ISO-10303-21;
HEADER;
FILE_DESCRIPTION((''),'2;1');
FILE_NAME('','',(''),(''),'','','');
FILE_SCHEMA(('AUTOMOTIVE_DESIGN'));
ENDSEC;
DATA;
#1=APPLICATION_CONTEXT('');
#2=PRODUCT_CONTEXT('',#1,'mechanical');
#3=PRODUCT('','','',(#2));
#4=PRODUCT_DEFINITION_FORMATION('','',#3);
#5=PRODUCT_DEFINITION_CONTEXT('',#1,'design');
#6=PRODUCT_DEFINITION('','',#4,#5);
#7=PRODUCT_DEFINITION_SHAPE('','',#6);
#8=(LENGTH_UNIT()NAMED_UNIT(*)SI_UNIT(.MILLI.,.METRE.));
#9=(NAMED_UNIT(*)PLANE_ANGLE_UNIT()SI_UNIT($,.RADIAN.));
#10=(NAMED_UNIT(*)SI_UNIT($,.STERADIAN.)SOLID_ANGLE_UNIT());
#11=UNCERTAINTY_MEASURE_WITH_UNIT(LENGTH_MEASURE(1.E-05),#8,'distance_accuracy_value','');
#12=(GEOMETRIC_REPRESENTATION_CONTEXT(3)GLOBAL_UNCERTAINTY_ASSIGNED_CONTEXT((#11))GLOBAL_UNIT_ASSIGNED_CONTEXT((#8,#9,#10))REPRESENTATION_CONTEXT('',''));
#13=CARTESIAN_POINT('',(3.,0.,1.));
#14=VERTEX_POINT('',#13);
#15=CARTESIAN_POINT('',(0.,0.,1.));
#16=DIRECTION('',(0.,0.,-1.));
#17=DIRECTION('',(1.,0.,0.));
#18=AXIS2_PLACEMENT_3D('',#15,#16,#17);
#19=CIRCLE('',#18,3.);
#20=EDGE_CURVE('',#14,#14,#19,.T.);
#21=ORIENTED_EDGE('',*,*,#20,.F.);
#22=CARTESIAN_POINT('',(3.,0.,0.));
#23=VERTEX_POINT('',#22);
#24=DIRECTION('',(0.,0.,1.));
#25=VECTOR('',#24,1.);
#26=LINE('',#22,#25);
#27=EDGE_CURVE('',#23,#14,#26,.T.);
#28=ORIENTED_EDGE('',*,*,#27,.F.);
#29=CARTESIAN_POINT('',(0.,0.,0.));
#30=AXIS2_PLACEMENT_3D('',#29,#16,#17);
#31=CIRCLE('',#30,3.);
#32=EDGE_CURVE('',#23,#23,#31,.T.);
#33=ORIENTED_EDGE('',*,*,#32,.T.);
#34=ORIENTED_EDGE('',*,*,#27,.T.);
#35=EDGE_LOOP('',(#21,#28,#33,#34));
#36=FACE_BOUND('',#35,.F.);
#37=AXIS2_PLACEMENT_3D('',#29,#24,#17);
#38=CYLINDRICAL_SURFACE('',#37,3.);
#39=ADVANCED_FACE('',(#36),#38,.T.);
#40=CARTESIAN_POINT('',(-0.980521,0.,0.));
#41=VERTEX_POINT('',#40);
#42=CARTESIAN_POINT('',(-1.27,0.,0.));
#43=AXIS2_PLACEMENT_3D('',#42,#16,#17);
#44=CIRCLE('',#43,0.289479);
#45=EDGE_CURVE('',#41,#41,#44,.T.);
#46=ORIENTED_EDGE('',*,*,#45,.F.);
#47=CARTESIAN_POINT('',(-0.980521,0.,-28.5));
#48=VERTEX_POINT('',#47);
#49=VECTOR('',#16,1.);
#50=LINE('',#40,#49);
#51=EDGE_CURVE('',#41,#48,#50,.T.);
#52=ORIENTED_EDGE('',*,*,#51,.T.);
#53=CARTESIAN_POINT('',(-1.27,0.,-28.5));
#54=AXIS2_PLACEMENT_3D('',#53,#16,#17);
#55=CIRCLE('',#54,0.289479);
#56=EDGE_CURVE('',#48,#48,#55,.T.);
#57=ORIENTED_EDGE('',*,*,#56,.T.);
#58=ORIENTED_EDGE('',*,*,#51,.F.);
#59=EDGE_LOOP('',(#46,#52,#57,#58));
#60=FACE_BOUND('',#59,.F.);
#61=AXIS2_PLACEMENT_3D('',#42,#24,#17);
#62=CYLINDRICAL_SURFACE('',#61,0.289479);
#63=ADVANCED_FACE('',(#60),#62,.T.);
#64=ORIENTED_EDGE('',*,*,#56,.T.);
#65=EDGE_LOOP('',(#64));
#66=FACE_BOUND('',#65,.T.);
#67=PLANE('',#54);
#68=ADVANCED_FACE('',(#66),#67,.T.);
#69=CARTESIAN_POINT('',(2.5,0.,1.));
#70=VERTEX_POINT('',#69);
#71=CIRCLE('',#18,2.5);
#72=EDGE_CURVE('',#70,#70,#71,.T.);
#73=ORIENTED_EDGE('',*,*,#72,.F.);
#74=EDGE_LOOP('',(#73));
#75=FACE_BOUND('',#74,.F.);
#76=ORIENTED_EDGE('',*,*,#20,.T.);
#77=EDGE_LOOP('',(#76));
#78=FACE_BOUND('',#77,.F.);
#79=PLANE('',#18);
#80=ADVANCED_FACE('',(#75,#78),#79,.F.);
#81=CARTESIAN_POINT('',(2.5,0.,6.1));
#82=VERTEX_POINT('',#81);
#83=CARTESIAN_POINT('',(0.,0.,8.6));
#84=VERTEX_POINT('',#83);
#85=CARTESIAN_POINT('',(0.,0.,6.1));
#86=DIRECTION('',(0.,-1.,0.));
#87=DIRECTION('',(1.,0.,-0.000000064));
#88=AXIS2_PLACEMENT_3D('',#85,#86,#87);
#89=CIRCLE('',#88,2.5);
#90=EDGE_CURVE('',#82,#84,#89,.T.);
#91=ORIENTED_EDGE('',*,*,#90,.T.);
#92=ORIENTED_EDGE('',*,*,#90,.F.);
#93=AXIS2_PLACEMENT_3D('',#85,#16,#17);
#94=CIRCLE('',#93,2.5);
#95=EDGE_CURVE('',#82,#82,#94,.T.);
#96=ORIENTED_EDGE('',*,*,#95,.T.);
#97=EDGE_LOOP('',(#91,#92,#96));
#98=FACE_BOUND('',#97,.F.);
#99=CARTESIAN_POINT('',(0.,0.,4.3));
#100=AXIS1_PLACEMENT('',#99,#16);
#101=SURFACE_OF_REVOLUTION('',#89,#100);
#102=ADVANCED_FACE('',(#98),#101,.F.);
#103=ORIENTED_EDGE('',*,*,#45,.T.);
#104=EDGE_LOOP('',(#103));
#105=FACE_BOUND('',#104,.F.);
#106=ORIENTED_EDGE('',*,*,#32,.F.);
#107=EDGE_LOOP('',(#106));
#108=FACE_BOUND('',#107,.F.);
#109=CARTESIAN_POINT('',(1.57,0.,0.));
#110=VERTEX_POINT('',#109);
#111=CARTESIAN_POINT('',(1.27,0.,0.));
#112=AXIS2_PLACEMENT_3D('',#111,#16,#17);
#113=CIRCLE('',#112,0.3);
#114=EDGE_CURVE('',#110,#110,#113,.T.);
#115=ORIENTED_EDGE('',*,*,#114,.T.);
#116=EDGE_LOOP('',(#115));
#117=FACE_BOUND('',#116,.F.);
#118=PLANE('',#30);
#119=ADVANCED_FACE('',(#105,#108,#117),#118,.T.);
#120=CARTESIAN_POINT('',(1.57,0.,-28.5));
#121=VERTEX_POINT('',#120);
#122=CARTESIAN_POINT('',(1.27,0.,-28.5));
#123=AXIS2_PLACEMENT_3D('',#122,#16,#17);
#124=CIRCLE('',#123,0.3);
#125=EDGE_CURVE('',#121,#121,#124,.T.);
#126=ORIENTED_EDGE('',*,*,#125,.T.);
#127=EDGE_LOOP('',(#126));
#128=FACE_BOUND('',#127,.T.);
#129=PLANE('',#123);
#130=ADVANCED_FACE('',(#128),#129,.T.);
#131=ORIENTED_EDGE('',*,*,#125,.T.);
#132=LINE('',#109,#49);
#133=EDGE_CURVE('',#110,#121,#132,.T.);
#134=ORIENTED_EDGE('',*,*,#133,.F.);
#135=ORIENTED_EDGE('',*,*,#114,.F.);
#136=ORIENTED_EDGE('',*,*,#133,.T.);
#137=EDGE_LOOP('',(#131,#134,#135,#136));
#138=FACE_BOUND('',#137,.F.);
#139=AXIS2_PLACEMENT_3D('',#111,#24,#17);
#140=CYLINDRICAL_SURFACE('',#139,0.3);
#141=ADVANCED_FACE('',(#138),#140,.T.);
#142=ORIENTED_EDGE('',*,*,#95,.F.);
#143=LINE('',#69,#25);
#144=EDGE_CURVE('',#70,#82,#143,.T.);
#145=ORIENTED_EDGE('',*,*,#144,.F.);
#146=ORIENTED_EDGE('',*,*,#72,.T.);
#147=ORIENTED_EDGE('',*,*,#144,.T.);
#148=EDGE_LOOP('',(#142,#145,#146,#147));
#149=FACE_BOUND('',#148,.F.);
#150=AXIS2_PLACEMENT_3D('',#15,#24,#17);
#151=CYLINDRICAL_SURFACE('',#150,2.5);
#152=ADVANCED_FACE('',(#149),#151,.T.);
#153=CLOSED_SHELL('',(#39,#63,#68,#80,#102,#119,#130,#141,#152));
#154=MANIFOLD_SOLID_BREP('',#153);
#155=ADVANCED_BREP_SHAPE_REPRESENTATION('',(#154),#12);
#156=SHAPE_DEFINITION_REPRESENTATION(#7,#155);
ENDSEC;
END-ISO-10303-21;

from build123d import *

# Parameters (mm, degrees)
F2_R     = 0.3
F2_R_2   = 0.289479
F3_DEPTH = 28.5


with BuildPart() as f1:
    # F0 (on Front) → F1 (revolve)
    with BuildSketch(Plane.XZ):
        with BuildLine():
            Line((0, 8.6), (0, 0))
            Line((0, 0), (3, 0))
            Line((3, 0), (3, 1))
            Line((3, 1), (2.5, 1))
            Line((2.5, 1), (2.5, 6.1))
            ThreePointArc((2.5, 6.1), (1.767767, 7.867767), (0, 8.6))
        make_face()
    revolve(axis=Axis((0, 0, 4.3), (0, 0, -1)))

    # F2 (on face) → F3 (join)
    with BuildSketch(Plane(origin=(0, 0, 0), x_dir=(1, 0, 0), z_dir=(0, 0, -1))):
        with Locations((1.27, 0)):
            Circle(F2_R)
        with Locations((-1.27, 0)):
            Circle(F2_R_2)
    extrude(amount=F3_DEPTH)


solid = f1.part
